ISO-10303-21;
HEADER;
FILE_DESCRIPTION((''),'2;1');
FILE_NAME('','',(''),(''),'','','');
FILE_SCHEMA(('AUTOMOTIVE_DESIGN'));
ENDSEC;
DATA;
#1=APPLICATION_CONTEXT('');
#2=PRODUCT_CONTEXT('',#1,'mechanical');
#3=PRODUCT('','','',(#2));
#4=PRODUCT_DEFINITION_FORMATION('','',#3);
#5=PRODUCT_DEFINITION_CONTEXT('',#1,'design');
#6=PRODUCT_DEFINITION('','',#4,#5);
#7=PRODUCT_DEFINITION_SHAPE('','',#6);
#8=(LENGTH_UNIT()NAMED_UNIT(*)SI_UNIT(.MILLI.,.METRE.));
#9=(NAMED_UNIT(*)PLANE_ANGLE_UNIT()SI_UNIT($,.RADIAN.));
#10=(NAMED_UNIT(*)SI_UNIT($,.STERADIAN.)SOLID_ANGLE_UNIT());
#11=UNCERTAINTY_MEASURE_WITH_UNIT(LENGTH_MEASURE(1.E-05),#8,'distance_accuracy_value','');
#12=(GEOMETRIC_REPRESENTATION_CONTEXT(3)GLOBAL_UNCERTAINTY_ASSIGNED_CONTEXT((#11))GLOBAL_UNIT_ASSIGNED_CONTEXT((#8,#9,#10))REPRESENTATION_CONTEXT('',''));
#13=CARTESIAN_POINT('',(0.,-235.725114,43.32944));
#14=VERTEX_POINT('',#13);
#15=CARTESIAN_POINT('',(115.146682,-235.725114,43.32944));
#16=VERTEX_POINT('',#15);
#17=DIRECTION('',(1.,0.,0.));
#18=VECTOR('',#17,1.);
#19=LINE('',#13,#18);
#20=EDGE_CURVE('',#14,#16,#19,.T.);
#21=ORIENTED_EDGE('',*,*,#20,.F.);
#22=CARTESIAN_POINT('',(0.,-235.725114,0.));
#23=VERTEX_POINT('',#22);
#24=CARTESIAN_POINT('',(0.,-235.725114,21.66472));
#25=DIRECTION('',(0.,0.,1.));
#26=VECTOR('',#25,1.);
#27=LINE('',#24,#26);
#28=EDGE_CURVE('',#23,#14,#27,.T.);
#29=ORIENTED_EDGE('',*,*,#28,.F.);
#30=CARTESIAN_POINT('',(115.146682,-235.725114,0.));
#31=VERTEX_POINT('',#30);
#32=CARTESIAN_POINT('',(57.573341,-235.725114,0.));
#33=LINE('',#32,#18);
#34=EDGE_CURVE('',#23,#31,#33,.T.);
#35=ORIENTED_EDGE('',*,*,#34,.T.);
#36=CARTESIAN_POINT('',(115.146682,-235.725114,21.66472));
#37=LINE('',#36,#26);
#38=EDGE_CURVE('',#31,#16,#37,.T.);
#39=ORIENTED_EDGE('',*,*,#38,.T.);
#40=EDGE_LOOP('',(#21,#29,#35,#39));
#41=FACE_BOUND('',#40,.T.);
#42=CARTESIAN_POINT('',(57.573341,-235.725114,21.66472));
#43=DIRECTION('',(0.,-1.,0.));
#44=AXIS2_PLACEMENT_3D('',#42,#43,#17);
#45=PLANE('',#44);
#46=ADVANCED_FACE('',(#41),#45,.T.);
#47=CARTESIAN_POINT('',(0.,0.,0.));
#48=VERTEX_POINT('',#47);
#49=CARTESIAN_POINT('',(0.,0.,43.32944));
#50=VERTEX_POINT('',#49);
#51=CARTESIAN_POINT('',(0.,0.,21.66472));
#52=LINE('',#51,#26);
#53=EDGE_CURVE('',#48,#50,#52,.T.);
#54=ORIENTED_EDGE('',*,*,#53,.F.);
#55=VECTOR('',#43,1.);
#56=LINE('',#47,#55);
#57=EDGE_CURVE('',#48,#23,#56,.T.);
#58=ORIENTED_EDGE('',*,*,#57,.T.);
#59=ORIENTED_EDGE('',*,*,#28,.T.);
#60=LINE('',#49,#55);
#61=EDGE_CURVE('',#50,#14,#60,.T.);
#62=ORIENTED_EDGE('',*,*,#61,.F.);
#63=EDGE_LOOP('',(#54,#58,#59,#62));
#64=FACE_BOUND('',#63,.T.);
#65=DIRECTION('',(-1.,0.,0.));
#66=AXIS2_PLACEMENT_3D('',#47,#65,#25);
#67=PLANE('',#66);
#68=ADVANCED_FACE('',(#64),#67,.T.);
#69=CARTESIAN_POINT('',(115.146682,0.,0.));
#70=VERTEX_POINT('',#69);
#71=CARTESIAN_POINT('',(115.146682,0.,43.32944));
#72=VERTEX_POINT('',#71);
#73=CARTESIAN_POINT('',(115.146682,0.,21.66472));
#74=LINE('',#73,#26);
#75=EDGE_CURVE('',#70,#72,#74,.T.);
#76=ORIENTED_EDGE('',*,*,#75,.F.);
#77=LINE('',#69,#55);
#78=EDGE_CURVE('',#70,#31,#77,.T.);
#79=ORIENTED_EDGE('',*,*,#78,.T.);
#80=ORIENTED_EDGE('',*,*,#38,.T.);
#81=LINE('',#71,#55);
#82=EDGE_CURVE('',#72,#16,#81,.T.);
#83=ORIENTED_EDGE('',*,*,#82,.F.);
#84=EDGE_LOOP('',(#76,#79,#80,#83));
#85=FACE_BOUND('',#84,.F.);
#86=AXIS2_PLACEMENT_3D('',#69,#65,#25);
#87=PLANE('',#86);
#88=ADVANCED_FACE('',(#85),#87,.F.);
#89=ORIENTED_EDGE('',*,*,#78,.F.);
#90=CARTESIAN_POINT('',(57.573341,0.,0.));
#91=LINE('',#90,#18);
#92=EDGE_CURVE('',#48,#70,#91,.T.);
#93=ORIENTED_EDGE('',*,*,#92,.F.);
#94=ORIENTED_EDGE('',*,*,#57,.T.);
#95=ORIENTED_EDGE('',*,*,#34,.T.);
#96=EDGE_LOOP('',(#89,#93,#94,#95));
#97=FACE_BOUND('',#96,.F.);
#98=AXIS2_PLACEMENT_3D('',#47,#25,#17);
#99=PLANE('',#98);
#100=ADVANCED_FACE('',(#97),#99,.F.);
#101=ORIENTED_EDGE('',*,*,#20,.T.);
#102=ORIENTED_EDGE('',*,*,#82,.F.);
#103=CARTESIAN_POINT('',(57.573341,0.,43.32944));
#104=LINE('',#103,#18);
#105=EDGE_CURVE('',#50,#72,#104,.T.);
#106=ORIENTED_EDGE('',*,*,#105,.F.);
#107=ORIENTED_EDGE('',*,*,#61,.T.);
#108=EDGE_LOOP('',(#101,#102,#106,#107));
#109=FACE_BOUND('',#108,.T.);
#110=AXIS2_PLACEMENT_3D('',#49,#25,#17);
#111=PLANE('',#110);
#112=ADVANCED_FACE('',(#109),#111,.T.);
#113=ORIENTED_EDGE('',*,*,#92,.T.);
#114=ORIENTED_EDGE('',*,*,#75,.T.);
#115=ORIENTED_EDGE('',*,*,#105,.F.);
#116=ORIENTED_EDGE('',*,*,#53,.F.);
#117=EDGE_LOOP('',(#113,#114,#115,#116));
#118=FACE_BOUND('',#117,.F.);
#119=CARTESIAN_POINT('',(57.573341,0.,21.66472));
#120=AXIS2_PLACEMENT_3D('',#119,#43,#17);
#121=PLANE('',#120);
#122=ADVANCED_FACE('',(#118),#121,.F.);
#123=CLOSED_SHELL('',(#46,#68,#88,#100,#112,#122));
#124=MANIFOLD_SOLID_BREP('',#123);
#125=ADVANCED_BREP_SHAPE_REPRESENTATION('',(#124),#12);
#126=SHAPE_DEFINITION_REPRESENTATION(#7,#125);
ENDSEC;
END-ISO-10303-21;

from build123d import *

# Parameters (mm, degrees)
F0_W     = 115.146682
F0_H     = 43.32944
F1_DEPTH = 235.725114
F2_W     = 95.756106
F2_H     = 34.991488
F3_DEPTH = 128.970386


with BuildPart() as f1:
    # F0 (on Front) → F1 (new body)
    with BuildSketch(Plane.XZ):
        with Locations((57.573341, 21.66472)):
            Rectangle(F0_W, F0_H)
    extrude(amount=F1_DEPTH)

    # F2 (on face) → F3 (join)
    with BuildSketch(Plane.XZ.offset(235.725114)):
        with Locations((56.274723, 25.833696)):
            Rectangle(F2_W, F2_H)
    extrude(amount=-F3_DEPTH)


solid = f1.part
